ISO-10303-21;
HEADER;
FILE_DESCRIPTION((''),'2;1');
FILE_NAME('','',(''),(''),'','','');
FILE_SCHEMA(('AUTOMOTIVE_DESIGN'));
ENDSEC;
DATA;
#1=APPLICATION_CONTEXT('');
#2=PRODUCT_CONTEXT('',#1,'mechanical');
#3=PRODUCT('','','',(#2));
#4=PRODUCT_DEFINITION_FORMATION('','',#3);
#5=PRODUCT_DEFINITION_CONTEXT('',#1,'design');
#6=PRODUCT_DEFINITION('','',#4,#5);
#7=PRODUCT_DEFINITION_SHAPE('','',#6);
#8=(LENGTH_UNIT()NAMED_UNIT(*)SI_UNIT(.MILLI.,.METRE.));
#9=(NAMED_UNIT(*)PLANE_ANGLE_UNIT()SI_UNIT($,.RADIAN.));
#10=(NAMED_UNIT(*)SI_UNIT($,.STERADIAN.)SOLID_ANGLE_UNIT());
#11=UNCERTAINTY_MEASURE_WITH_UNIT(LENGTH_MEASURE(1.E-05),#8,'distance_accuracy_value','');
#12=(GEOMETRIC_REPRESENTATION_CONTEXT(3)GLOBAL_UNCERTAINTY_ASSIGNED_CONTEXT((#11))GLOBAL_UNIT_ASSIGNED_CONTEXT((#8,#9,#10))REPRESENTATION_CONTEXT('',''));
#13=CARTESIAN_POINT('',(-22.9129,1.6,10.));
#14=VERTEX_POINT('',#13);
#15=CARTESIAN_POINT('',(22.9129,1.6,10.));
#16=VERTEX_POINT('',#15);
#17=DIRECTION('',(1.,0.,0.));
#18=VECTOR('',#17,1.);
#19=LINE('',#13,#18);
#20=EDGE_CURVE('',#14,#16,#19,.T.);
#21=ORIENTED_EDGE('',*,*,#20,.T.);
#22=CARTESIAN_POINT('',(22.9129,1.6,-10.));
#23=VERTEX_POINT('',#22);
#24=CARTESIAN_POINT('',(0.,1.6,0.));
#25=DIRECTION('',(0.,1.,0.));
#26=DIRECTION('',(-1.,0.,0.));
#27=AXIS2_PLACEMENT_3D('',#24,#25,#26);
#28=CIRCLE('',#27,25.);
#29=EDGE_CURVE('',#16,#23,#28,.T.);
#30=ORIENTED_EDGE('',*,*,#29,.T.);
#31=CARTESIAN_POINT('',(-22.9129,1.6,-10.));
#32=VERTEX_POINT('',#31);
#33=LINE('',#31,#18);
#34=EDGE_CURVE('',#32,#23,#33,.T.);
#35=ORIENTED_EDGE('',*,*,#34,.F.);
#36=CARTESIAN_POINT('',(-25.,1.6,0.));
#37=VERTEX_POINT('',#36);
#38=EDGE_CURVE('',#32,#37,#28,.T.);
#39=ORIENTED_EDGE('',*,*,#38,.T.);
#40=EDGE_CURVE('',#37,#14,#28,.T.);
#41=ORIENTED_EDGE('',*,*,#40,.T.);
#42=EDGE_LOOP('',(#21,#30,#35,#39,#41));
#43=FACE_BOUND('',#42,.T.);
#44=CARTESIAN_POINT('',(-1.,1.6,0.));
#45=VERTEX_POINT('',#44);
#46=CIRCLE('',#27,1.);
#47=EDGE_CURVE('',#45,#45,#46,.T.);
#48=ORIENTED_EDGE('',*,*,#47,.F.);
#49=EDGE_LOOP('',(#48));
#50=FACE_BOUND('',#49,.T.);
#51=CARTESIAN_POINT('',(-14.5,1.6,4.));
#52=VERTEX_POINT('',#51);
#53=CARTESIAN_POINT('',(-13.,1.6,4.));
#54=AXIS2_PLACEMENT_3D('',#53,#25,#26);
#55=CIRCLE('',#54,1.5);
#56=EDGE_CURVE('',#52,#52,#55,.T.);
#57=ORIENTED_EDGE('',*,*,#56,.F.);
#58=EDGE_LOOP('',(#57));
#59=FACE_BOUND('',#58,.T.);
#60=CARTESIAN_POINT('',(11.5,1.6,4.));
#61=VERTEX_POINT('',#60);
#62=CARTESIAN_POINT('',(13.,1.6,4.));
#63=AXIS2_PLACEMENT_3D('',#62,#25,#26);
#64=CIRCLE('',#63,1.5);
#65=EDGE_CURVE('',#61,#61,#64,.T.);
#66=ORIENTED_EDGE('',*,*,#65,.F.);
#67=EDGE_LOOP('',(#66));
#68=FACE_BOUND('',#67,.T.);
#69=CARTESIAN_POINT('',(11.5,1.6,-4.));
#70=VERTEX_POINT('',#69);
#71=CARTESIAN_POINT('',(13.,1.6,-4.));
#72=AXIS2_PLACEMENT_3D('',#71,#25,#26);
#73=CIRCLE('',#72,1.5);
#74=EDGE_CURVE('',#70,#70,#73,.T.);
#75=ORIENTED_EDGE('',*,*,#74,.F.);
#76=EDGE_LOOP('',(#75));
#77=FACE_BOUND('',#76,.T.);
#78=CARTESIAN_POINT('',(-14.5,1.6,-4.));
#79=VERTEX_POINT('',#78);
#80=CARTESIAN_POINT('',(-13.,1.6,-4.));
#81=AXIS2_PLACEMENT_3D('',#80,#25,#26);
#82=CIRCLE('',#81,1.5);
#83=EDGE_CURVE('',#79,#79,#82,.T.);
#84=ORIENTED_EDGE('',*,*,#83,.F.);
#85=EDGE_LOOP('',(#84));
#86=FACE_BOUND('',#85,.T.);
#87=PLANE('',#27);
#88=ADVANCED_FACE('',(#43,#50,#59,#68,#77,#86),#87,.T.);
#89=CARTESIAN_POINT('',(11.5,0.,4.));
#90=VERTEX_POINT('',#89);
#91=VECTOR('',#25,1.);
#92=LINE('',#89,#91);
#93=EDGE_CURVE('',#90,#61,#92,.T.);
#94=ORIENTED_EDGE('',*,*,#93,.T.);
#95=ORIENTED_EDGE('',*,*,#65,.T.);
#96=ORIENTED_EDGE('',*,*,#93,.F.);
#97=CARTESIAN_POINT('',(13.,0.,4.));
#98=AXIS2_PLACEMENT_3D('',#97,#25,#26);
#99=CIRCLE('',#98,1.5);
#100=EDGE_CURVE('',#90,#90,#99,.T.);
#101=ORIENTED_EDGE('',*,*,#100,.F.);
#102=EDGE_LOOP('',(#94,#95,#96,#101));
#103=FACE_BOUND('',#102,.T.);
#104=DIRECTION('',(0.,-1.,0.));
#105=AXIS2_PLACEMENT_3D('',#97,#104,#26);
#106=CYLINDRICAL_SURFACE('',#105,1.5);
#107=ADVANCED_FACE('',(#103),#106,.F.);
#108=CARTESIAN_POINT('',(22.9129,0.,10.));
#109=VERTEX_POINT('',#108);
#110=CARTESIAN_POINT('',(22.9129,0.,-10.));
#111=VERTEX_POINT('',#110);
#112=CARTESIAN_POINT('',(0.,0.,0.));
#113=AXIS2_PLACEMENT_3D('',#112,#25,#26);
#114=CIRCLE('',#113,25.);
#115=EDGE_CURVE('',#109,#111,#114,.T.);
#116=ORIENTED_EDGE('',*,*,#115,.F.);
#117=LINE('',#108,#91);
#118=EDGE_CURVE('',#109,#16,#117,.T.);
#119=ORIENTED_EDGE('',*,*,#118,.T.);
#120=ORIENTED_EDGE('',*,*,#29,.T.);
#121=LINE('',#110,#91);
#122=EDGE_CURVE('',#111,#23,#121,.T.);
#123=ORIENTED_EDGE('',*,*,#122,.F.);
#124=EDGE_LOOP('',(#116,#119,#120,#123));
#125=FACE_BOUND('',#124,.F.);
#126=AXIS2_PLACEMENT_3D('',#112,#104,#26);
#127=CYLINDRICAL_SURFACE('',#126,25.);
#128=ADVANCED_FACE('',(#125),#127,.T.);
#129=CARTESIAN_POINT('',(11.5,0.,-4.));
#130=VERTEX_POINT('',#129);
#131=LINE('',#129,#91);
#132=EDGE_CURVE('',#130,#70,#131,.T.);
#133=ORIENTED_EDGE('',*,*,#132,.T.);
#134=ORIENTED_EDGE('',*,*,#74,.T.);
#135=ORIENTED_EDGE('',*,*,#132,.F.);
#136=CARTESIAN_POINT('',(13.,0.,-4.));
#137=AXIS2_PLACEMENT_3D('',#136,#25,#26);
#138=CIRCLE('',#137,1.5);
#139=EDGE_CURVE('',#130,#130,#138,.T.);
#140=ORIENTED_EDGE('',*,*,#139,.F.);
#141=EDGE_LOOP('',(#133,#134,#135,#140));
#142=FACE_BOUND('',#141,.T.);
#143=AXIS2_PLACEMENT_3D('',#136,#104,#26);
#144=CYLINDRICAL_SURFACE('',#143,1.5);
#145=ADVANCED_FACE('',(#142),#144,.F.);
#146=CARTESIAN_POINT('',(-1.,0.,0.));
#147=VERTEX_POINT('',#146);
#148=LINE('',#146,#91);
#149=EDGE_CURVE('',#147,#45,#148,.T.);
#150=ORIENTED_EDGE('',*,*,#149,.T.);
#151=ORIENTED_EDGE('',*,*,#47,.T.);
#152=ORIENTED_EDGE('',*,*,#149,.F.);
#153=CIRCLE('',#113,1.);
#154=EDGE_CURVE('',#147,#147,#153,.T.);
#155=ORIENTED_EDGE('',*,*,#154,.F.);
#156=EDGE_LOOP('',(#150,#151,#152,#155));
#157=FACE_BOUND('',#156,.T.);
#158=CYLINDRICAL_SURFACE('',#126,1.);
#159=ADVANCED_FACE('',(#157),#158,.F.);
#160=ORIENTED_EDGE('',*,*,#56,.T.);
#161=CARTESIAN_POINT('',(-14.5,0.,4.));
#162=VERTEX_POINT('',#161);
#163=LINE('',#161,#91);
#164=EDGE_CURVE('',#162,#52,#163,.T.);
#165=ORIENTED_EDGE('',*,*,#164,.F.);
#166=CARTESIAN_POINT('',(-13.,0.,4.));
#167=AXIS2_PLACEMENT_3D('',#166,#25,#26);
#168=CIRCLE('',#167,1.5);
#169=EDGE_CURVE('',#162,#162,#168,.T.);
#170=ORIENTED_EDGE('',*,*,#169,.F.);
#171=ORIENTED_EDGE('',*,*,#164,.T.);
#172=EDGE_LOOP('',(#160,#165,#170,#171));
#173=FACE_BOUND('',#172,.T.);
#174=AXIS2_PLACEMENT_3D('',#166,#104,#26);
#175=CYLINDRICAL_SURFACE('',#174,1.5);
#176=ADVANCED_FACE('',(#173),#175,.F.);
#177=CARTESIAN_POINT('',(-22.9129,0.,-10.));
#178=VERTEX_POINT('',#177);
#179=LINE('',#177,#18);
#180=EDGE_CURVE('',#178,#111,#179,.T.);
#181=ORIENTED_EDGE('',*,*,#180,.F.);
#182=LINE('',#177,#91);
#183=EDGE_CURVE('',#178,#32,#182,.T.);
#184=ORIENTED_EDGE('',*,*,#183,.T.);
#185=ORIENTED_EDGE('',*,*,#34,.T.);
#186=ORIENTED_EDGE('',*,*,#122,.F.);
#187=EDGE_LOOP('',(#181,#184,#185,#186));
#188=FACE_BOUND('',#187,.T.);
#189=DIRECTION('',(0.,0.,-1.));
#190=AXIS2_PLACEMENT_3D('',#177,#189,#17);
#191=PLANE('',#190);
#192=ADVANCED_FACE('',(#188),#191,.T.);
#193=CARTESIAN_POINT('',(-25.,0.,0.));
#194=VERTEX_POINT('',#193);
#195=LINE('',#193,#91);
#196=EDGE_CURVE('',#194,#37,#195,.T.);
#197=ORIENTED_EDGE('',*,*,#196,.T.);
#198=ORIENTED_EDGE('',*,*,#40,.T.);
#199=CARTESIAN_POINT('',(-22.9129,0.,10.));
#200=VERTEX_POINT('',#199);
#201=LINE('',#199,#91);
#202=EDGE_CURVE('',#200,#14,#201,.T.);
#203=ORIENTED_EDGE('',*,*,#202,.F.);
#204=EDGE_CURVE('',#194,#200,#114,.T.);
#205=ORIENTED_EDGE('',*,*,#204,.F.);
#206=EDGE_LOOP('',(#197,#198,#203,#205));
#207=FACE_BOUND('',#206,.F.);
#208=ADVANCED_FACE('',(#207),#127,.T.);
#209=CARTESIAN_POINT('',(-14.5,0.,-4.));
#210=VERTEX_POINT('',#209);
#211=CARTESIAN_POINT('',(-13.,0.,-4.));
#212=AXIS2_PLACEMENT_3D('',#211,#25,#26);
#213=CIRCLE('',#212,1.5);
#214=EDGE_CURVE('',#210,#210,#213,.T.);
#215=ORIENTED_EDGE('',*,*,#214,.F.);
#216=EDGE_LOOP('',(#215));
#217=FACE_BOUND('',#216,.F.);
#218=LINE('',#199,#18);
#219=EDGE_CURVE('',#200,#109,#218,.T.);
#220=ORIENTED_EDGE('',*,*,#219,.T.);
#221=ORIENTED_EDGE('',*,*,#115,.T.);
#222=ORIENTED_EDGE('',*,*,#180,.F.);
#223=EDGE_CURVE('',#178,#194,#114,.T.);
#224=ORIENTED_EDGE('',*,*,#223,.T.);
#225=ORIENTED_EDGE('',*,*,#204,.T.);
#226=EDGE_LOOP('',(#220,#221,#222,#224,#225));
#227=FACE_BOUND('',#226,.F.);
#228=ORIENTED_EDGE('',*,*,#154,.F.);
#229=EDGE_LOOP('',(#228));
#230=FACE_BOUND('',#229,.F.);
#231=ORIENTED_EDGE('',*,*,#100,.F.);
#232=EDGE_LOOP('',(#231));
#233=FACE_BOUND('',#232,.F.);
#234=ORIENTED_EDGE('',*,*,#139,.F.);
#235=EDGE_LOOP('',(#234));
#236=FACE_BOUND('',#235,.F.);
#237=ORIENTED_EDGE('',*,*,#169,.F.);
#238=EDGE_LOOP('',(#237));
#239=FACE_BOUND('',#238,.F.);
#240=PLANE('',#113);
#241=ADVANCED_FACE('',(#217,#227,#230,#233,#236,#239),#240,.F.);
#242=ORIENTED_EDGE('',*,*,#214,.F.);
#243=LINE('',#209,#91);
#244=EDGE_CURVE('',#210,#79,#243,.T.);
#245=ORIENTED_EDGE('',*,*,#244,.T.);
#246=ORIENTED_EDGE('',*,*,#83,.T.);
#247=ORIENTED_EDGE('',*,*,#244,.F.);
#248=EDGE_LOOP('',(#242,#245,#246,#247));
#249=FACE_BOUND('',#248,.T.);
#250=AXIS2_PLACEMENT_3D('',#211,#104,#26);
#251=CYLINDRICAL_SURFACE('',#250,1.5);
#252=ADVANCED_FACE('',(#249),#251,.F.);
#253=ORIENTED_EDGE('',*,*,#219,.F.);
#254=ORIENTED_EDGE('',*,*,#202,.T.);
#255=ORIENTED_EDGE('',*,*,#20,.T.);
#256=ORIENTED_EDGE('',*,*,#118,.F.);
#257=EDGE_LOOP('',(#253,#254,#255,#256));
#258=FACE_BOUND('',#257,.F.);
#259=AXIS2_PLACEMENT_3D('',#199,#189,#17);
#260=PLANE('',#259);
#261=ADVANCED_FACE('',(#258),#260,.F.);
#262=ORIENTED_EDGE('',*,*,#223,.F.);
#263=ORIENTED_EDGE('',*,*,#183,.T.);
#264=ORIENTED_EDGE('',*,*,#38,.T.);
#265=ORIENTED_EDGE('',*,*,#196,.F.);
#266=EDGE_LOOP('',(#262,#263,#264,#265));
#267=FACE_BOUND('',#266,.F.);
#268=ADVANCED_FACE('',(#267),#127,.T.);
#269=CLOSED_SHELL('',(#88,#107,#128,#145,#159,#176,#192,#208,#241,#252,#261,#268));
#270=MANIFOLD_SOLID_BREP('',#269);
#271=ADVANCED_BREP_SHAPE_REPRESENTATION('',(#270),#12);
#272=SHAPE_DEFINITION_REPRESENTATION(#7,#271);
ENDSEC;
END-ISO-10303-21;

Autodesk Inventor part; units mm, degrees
ref_plane "YZ Plane" through (0, 0, 0) normal (1, 0, 0) x (0, 1, 0)
ref_plane "XZ Plane" through (0, 0, 0) normal (0, 1, 0) x (-1, 0, 0)
ref_plane "XY Plane" through (0, 0, 0) normal (0, 0, 1) x (1, 0, 0)
sketch "Szkic1" plane through (0, 0, 0) normal (0, 1, 0) x (-1, 0, 0)
  circle A0 centre (0, 0) radius 25
  circle A1 centre (-13, 4) radius 1.5
  circle A2 centre (-13, -4) radius 1.5
  circle A3 centre (13, 4) radius 1.5
  circle A4 centre (13, -4) radius 1.5
  line L0 (22.9129, -10) -> (-22.9129, -10)
  line L1 (22.9129, 10) -> (-22.9129, 10)
  circle A5 centre (0, 0) radius 1
  dimension "d0" = 50
  dimension "d1" = 3
  dimension "d2" = 13
  dimension "d3" = 4
  dimension "d10" = 2
extrude "Wyciągnięcie proste3" add sketch "Szkic1" along normal blind 1.6 contours A0 L0 L1
properties part number "podstawa2"
